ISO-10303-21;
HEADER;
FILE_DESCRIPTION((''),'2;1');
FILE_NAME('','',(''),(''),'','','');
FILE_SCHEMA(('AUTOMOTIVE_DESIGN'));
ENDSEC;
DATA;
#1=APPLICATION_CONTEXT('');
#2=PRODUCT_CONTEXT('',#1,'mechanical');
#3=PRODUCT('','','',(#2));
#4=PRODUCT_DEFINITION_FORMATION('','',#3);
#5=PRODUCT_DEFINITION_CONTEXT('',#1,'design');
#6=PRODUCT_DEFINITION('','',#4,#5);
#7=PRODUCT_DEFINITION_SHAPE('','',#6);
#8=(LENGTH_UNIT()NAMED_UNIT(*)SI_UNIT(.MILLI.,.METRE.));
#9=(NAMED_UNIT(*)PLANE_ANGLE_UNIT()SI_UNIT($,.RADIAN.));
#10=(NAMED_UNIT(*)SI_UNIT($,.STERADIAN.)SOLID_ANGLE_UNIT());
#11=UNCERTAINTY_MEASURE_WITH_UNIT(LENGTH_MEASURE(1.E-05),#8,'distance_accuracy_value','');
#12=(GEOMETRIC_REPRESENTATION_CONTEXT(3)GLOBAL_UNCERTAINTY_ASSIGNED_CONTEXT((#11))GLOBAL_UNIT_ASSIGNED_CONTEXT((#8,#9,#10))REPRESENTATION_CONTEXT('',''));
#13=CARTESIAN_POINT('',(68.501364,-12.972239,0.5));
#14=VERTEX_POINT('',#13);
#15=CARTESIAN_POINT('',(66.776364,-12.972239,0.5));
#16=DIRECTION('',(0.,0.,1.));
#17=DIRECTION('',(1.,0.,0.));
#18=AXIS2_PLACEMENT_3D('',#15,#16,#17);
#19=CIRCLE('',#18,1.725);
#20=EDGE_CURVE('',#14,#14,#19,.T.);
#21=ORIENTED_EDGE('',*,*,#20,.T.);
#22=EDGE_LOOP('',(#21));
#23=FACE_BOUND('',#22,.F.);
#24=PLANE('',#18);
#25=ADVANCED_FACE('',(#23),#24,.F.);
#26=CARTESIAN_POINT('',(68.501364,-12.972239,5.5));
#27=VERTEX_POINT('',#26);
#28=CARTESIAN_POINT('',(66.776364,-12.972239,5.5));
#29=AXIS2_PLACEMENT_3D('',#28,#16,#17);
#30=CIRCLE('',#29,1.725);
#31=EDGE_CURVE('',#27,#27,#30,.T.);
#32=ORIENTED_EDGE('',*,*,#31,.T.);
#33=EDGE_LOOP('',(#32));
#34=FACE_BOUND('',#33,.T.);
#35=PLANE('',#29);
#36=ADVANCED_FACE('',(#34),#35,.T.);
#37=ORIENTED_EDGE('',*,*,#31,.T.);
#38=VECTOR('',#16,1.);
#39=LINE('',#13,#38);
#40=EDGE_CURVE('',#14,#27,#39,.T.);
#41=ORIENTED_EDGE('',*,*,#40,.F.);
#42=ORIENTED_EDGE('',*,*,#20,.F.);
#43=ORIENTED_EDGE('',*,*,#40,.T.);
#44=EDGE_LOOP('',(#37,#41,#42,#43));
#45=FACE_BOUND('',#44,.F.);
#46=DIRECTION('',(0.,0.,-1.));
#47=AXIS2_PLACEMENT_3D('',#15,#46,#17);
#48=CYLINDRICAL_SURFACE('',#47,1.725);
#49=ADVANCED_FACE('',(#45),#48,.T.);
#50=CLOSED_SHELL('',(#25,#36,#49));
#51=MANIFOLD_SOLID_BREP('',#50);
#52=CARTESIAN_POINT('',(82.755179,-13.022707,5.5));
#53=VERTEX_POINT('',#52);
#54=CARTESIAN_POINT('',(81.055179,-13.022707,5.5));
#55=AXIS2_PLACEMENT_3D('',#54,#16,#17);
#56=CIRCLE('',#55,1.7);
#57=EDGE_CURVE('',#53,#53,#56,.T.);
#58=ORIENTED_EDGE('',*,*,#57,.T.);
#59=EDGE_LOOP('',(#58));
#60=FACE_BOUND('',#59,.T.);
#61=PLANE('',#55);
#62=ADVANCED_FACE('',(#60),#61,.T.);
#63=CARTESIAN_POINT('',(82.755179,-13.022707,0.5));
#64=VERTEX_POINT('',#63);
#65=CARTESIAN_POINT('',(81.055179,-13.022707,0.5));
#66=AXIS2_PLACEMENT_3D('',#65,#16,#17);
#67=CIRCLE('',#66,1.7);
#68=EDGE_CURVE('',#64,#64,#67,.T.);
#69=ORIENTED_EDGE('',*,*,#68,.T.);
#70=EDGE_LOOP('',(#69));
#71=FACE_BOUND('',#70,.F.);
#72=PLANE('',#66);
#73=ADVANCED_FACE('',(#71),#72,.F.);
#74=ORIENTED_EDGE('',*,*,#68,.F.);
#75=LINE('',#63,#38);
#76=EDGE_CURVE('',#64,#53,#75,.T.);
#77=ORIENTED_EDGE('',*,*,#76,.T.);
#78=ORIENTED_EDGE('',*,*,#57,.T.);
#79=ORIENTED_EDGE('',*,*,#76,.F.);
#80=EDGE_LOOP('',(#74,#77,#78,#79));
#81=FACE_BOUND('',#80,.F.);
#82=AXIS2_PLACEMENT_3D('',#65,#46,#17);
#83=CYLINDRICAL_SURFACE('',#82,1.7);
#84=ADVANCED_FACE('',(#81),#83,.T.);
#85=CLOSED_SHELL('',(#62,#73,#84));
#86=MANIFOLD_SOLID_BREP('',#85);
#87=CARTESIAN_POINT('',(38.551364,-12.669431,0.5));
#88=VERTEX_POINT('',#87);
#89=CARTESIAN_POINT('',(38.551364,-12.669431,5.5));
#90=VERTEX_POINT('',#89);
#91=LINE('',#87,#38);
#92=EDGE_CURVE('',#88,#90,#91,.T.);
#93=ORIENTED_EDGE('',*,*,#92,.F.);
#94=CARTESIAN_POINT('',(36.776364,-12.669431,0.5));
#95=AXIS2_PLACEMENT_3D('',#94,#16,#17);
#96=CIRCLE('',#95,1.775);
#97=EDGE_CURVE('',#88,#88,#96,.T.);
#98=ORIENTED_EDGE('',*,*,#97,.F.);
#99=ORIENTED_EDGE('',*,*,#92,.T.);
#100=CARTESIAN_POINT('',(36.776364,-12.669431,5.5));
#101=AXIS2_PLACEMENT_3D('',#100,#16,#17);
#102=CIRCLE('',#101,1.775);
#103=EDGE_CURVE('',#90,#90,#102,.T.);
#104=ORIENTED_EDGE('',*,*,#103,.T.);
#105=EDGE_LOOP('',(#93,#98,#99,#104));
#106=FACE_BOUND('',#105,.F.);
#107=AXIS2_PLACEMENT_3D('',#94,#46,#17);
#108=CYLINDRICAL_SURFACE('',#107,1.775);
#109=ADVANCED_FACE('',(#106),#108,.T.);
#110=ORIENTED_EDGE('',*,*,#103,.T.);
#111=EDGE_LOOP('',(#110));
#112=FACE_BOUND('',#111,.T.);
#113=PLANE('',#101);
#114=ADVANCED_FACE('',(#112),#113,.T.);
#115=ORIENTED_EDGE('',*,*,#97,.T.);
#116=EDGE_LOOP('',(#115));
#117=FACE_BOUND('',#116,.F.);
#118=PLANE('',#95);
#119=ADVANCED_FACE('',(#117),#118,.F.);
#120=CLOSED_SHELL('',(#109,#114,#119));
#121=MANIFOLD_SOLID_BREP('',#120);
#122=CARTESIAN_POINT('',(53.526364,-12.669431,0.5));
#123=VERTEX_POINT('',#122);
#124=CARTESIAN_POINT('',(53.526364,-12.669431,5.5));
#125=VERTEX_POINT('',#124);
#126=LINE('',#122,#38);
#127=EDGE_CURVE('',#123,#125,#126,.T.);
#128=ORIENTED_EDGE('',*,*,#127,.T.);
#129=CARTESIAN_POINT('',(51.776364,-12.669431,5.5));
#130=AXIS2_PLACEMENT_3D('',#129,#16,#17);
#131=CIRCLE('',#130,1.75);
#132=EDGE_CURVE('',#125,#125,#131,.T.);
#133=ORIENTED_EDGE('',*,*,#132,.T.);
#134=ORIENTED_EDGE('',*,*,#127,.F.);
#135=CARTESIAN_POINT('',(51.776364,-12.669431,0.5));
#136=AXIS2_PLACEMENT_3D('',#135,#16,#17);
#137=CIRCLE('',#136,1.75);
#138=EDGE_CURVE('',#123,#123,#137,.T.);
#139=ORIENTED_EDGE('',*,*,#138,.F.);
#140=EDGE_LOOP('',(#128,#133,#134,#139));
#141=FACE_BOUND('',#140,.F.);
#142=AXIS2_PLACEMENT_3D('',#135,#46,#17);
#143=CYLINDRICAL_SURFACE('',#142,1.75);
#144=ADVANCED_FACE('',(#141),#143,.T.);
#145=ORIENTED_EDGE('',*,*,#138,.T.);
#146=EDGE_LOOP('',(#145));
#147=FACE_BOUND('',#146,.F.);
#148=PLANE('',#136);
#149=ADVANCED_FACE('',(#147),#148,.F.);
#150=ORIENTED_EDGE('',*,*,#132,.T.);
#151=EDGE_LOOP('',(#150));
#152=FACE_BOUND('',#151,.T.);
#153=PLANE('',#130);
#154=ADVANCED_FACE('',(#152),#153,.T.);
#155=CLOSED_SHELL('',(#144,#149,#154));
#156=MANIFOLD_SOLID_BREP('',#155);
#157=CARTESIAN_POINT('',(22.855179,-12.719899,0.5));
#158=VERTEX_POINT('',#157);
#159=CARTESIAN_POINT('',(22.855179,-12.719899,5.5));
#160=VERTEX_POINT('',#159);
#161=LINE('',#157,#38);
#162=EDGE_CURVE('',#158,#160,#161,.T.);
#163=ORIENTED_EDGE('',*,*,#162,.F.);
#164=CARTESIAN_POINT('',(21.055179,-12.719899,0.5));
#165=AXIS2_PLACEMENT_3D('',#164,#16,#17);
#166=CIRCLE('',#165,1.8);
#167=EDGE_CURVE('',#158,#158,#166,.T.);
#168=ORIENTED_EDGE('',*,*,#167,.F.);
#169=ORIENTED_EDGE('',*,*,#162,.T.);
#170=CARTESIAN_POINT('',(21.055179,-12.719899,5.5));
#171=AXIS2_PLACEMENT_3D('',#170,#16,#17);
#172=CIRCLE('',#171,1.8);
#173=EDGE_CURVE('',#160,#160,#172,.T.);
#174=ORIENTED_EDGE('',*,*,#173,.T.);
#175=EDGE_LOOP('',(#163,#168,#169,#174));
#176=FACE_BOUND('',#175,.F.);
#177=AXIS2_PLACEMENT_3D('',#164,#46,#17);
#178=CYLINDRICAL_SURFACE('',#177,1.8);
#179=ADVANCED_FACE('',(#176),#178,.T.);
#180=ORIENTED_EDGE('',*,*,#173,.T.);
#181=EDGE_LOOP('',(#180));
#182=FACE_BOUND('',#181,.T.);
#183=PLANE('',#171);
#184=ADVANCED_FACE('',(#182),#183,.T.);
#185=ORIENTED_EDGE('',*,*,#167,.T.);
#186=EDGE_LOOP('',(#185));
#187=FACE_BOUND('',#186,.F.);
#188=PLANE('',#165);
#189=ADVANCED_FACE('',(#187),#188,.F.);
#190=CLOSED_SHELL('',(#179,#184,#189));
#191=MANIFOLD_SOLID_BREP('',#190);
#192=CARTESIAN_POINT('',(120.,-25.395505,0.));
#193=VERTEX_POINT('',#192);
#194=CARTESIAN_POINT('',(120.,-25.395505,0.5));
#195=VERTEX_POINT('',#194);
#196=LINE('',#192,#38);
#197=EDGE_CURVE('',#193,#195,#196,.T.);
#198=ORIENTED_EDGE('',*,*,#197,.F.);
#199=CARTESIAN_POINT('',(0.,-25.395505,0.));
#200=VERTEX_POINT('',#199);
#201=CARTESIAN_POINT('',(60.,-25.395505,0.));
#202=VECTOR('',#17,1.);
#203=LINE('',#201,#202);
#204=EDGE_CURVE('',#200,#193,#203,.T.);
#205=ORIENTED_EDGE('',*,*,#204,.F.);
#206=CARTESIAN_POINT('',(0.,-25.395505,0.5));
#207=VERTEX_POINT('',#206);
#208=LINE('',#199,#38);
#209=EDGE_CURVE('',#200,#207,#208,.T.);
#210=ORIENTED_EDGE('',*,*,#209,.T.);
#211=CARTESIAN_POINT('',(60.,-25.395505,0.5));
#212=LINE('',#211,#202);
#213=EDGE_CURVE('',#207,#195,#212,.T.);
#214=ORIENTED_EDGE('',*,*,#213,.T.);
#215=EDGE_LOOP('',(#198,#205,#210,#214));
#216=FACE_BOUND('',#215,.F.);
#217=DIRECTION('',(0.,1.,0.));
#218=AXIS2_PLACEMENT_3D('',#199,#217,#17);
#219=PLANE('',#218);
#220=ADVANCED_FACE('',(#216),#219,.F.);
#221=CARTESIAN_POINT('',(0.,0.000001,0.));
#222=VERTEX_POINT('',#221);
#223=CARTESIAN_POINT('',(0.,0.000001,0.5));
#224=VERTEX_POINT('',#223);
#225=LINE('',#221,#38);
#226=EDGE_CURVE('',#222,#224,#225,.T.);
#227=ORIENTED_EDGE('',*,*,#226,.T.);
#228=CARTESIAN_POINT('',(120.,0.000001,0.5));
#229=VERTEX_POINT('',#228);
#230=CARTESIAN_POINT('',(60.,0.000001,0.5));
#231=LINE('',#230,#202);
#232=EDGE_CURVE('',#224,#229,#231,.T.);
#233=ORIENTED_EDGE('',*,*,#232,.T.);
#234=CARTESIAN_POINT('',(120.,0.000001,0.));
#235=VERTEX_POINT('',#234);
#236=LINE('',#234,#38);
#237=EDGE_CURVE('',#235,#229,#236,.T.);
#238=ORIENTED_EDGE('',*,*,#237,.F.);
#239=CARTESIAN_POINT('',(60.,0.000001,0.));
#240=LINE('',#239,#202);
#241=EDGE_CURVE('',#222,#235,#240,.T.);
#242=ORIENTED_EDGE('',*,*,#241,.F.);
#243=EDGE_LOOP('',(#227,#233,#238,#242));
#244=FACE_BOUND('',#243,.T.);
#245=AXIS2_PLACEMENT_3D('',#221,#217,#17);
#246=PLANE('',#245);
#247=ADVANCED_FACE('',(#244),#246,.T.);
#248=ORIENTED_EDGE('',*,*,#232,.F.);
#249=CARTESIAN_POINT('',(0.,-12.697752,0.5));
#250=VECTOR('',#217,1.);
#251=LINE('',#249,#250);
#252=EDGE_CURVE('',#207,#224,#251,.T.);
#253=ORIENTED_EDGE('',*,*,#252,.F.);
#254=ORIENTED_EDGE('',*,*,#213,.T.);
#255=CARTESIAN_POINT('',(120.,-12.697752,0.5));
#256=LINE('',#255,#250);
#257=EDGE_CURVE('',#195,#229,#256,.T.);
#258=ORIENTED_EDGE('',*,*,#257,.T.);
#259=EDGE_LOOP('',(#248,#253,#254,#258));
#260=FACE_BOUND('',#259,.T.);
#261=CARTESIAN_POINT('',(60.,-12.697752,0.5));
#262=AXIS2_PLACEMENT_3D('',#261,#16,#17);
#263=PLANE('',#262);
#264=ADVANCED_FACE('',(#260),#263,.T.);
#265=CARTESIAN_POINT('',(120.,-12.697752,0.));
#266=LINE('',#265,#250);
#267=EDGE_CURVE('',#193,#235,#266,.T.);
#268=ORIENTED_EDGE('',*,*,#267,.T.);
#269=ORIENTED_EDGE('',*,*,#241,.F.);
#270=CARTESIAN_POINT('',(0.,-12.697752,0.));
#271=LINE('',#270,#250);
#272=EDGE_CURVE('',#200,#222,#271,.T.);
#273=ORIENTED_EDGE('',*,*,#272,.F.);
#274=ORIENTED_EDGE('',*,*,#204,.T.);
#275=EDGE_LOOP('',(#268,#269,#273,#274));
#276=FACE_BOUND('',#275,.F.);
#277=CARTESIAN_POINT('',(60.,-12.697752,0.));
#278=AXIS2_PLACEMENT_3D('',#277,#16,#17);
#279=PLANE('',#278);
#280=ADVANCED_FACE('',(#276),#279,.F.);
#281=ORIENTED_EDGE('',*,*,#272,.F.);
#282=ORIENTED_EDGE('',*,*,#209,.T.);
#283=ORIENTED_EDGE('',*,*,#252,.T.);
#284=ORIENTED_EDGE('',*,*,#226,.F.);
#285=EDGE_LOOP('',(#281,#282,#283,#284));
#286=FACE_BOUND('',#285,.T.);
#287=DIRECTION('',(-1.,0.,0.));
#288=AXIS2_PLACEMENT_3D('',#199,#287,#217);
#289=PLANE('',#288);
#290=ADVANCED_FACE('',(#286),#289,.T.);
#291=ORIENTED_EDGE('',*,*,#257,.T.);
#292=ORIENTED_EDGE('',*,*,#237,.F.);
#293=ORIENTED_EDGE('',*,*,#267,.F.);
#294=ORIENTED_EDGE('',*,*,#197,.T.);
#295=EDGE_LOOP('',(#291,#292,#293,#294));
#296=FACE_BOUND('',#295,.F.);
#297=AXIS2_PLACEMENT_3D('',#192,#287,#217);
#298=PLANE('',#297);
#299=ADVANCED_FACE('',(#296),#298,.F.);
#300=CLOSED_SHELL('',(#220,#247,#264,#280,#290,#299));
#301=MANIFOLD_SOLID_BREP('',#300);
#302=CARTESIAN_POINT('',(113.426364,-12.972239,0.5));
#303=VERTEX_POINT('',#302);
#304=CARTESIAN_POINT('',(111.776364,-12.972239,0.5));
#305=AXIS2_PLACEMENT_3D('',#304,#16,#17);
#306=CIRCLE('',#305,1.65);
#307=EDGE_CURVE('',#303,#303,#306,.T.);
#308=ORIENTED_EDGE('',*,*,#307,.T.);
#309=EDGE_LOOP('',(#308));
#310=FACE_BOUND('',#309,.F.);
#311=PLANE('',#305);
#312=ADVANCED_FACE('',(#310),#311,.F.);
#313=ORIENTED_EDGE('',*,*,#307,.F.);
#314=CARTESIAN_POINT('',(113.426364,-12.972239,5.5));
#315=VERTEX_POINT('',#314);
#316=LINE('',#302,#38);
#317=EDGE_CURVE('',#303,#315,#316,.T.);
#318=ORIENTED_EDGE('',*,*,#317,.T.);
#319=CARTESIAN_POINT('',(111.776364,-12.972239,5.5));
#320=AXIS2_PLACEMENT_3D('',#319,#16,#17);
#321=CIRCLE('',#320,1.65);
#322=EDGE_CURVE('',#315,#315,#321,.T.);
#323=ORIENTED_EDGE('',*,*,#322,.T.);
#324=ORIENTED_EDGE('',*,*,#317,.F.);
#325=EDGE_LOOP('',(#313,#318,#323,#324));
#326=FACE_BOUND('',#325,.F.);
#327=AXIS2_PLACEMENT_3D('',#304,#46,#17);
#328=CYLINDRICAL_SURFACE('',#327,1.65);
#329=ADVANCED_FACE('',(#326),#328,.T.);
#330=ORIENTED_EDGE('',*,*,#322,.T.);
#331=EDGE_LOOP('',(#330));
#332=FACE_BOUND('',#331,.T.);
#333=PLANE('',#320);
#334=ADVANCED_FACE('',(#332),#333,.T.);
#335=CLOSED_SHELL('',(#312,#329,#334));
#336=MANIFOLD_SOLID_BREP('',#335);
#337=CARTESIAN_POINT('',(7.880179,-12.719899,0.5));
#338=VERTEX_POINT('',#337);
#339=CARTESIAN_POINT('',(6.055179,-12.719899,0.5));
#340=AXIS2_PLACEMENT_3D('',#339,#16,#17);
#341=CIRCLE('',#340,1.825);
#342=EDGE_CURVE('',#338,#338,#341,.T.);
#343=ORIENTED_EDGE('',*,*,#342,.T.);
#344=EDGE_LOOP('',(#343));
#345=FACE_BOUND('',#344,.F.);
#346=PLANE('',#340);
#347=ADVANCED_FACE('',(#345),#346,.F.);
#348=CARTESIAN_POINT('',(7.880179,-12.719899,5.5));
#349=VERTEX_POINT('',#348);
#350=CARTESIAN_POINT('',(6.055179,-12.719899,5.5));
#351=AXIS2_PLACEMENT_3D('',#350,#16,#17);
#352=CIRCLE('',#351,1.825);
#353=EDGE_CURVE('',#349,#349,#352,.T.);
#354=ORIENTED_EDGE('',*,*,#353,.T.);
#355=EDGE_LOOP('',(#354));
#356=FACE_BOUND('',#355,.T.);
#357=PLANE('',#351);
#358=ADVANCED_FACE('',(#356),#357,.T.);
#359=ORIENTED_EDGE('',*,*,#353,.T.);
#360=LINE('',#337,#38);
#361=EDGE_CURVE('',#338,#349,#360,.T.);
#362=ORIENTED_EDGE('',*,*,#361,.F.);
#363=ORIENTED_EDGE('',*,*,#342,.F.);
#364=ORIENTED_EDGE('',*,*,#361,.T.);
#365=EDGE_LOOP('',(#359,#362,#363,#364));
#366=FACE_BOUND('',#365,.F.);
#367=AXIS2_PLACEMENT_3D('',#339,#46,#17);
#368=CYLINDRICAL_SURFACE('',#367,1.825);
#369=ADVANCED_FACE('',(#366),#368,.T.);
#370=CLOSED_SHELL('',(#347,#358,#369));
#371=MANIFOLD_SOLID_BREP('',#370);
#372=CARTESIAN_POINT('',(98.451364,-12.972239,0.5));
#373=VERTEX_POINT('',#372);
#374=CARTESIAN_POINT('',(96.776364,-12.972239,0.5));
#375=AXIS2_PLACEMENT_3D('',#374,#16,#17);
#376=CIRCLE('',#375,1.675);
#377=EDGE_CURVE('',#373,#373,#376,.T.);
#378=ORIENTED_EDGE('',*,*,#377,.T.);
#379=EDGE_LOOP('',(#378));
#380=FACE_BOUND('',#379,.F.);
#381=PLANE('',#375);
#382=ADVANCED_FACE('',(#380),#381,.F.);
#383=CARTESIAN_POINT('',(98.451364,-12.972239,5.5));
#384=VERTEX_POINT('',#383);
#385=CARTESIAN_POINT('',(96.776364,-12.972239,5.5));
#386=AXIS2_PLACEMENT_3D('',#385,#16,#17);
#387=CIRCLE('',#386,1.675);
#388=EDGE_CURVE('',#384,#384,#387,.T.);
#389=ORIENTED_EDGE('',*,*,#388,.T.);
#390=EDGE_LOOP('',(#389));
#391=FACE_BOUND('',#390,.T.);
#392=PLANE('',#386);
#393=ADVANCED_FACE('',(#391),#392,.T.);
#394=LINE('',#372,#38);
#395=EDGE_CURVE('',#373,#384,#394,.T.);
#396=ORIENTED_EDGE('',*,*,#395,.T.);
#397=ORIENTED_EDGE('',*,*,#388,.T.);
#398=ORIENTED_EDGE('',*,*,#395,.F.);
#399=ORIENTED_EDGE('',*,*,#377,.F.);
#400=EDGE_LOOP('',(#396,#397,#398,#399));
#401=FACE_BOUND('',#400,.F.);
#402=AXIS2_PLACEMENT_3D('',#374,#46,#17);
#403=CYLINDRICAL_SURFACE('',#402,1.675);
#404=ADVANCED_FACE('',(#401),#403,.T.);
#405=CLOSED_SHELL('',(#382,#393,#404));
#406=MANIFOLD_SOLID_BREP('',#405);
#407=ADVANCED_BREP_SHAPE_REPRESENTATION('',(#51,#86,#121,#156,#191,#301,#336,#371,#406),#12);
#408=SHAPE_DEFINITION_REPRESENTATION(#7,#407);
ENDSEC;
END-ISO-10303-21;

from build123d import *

# Parameters (mm, degrees)
F0_W     = 120
F0_H     = 25.395505
F1_DEPTH = 0.5
F2_R     = 1.775
F2_R_2   = 1.75
F2_R_3   = 1.725
F2_R_4   = 1.675
F2_R_5   = 1.65
F2_R_6   = 1.825
F2_R_7   = 1.8
F2_R_8   = 1.7
F3_DEPTH = 5


with BuildPart() as f1:
    # F0 (on Top) → F1 (new body)
    with BuildSketch(Plane.XY):
        with Locations((60, -12.697752)):
            Rectangle(F0_W, F0_H)
    extrude(amount=F1_DEPTH)


with BuildPart() as f3:
    # F2 (on face) → F3 (new body)
    with BuildSketch(Plane.XY.offset(0.5)):
        with Locations((36.776364, -12.669431)):
            Circle(F2_R)
        with Locations((51.776364, -12.669431)):
            Circle(F2_R_2)
        with Locations((66.776364, -12.972239)):
            Circle(F2_R_3)
        with Locations((96.776364, -12.972239)):
            Circle(F2_R_4)
        with Locations((111.776364, -12.972239)):
            Circle(F2_R_5)
        with Locations((6.055179, -12.719899)):
            Circle(F2_R_6)
        with Locations((21.055179, -12.719899)):
            Circle(F2_R_7)
        with Locations((81.055179, -13.022707)):
            Circle(F2_R_8)
    extrude(amount=F3_DEPTH)


solid = Compound([f1.part, f3.part])
